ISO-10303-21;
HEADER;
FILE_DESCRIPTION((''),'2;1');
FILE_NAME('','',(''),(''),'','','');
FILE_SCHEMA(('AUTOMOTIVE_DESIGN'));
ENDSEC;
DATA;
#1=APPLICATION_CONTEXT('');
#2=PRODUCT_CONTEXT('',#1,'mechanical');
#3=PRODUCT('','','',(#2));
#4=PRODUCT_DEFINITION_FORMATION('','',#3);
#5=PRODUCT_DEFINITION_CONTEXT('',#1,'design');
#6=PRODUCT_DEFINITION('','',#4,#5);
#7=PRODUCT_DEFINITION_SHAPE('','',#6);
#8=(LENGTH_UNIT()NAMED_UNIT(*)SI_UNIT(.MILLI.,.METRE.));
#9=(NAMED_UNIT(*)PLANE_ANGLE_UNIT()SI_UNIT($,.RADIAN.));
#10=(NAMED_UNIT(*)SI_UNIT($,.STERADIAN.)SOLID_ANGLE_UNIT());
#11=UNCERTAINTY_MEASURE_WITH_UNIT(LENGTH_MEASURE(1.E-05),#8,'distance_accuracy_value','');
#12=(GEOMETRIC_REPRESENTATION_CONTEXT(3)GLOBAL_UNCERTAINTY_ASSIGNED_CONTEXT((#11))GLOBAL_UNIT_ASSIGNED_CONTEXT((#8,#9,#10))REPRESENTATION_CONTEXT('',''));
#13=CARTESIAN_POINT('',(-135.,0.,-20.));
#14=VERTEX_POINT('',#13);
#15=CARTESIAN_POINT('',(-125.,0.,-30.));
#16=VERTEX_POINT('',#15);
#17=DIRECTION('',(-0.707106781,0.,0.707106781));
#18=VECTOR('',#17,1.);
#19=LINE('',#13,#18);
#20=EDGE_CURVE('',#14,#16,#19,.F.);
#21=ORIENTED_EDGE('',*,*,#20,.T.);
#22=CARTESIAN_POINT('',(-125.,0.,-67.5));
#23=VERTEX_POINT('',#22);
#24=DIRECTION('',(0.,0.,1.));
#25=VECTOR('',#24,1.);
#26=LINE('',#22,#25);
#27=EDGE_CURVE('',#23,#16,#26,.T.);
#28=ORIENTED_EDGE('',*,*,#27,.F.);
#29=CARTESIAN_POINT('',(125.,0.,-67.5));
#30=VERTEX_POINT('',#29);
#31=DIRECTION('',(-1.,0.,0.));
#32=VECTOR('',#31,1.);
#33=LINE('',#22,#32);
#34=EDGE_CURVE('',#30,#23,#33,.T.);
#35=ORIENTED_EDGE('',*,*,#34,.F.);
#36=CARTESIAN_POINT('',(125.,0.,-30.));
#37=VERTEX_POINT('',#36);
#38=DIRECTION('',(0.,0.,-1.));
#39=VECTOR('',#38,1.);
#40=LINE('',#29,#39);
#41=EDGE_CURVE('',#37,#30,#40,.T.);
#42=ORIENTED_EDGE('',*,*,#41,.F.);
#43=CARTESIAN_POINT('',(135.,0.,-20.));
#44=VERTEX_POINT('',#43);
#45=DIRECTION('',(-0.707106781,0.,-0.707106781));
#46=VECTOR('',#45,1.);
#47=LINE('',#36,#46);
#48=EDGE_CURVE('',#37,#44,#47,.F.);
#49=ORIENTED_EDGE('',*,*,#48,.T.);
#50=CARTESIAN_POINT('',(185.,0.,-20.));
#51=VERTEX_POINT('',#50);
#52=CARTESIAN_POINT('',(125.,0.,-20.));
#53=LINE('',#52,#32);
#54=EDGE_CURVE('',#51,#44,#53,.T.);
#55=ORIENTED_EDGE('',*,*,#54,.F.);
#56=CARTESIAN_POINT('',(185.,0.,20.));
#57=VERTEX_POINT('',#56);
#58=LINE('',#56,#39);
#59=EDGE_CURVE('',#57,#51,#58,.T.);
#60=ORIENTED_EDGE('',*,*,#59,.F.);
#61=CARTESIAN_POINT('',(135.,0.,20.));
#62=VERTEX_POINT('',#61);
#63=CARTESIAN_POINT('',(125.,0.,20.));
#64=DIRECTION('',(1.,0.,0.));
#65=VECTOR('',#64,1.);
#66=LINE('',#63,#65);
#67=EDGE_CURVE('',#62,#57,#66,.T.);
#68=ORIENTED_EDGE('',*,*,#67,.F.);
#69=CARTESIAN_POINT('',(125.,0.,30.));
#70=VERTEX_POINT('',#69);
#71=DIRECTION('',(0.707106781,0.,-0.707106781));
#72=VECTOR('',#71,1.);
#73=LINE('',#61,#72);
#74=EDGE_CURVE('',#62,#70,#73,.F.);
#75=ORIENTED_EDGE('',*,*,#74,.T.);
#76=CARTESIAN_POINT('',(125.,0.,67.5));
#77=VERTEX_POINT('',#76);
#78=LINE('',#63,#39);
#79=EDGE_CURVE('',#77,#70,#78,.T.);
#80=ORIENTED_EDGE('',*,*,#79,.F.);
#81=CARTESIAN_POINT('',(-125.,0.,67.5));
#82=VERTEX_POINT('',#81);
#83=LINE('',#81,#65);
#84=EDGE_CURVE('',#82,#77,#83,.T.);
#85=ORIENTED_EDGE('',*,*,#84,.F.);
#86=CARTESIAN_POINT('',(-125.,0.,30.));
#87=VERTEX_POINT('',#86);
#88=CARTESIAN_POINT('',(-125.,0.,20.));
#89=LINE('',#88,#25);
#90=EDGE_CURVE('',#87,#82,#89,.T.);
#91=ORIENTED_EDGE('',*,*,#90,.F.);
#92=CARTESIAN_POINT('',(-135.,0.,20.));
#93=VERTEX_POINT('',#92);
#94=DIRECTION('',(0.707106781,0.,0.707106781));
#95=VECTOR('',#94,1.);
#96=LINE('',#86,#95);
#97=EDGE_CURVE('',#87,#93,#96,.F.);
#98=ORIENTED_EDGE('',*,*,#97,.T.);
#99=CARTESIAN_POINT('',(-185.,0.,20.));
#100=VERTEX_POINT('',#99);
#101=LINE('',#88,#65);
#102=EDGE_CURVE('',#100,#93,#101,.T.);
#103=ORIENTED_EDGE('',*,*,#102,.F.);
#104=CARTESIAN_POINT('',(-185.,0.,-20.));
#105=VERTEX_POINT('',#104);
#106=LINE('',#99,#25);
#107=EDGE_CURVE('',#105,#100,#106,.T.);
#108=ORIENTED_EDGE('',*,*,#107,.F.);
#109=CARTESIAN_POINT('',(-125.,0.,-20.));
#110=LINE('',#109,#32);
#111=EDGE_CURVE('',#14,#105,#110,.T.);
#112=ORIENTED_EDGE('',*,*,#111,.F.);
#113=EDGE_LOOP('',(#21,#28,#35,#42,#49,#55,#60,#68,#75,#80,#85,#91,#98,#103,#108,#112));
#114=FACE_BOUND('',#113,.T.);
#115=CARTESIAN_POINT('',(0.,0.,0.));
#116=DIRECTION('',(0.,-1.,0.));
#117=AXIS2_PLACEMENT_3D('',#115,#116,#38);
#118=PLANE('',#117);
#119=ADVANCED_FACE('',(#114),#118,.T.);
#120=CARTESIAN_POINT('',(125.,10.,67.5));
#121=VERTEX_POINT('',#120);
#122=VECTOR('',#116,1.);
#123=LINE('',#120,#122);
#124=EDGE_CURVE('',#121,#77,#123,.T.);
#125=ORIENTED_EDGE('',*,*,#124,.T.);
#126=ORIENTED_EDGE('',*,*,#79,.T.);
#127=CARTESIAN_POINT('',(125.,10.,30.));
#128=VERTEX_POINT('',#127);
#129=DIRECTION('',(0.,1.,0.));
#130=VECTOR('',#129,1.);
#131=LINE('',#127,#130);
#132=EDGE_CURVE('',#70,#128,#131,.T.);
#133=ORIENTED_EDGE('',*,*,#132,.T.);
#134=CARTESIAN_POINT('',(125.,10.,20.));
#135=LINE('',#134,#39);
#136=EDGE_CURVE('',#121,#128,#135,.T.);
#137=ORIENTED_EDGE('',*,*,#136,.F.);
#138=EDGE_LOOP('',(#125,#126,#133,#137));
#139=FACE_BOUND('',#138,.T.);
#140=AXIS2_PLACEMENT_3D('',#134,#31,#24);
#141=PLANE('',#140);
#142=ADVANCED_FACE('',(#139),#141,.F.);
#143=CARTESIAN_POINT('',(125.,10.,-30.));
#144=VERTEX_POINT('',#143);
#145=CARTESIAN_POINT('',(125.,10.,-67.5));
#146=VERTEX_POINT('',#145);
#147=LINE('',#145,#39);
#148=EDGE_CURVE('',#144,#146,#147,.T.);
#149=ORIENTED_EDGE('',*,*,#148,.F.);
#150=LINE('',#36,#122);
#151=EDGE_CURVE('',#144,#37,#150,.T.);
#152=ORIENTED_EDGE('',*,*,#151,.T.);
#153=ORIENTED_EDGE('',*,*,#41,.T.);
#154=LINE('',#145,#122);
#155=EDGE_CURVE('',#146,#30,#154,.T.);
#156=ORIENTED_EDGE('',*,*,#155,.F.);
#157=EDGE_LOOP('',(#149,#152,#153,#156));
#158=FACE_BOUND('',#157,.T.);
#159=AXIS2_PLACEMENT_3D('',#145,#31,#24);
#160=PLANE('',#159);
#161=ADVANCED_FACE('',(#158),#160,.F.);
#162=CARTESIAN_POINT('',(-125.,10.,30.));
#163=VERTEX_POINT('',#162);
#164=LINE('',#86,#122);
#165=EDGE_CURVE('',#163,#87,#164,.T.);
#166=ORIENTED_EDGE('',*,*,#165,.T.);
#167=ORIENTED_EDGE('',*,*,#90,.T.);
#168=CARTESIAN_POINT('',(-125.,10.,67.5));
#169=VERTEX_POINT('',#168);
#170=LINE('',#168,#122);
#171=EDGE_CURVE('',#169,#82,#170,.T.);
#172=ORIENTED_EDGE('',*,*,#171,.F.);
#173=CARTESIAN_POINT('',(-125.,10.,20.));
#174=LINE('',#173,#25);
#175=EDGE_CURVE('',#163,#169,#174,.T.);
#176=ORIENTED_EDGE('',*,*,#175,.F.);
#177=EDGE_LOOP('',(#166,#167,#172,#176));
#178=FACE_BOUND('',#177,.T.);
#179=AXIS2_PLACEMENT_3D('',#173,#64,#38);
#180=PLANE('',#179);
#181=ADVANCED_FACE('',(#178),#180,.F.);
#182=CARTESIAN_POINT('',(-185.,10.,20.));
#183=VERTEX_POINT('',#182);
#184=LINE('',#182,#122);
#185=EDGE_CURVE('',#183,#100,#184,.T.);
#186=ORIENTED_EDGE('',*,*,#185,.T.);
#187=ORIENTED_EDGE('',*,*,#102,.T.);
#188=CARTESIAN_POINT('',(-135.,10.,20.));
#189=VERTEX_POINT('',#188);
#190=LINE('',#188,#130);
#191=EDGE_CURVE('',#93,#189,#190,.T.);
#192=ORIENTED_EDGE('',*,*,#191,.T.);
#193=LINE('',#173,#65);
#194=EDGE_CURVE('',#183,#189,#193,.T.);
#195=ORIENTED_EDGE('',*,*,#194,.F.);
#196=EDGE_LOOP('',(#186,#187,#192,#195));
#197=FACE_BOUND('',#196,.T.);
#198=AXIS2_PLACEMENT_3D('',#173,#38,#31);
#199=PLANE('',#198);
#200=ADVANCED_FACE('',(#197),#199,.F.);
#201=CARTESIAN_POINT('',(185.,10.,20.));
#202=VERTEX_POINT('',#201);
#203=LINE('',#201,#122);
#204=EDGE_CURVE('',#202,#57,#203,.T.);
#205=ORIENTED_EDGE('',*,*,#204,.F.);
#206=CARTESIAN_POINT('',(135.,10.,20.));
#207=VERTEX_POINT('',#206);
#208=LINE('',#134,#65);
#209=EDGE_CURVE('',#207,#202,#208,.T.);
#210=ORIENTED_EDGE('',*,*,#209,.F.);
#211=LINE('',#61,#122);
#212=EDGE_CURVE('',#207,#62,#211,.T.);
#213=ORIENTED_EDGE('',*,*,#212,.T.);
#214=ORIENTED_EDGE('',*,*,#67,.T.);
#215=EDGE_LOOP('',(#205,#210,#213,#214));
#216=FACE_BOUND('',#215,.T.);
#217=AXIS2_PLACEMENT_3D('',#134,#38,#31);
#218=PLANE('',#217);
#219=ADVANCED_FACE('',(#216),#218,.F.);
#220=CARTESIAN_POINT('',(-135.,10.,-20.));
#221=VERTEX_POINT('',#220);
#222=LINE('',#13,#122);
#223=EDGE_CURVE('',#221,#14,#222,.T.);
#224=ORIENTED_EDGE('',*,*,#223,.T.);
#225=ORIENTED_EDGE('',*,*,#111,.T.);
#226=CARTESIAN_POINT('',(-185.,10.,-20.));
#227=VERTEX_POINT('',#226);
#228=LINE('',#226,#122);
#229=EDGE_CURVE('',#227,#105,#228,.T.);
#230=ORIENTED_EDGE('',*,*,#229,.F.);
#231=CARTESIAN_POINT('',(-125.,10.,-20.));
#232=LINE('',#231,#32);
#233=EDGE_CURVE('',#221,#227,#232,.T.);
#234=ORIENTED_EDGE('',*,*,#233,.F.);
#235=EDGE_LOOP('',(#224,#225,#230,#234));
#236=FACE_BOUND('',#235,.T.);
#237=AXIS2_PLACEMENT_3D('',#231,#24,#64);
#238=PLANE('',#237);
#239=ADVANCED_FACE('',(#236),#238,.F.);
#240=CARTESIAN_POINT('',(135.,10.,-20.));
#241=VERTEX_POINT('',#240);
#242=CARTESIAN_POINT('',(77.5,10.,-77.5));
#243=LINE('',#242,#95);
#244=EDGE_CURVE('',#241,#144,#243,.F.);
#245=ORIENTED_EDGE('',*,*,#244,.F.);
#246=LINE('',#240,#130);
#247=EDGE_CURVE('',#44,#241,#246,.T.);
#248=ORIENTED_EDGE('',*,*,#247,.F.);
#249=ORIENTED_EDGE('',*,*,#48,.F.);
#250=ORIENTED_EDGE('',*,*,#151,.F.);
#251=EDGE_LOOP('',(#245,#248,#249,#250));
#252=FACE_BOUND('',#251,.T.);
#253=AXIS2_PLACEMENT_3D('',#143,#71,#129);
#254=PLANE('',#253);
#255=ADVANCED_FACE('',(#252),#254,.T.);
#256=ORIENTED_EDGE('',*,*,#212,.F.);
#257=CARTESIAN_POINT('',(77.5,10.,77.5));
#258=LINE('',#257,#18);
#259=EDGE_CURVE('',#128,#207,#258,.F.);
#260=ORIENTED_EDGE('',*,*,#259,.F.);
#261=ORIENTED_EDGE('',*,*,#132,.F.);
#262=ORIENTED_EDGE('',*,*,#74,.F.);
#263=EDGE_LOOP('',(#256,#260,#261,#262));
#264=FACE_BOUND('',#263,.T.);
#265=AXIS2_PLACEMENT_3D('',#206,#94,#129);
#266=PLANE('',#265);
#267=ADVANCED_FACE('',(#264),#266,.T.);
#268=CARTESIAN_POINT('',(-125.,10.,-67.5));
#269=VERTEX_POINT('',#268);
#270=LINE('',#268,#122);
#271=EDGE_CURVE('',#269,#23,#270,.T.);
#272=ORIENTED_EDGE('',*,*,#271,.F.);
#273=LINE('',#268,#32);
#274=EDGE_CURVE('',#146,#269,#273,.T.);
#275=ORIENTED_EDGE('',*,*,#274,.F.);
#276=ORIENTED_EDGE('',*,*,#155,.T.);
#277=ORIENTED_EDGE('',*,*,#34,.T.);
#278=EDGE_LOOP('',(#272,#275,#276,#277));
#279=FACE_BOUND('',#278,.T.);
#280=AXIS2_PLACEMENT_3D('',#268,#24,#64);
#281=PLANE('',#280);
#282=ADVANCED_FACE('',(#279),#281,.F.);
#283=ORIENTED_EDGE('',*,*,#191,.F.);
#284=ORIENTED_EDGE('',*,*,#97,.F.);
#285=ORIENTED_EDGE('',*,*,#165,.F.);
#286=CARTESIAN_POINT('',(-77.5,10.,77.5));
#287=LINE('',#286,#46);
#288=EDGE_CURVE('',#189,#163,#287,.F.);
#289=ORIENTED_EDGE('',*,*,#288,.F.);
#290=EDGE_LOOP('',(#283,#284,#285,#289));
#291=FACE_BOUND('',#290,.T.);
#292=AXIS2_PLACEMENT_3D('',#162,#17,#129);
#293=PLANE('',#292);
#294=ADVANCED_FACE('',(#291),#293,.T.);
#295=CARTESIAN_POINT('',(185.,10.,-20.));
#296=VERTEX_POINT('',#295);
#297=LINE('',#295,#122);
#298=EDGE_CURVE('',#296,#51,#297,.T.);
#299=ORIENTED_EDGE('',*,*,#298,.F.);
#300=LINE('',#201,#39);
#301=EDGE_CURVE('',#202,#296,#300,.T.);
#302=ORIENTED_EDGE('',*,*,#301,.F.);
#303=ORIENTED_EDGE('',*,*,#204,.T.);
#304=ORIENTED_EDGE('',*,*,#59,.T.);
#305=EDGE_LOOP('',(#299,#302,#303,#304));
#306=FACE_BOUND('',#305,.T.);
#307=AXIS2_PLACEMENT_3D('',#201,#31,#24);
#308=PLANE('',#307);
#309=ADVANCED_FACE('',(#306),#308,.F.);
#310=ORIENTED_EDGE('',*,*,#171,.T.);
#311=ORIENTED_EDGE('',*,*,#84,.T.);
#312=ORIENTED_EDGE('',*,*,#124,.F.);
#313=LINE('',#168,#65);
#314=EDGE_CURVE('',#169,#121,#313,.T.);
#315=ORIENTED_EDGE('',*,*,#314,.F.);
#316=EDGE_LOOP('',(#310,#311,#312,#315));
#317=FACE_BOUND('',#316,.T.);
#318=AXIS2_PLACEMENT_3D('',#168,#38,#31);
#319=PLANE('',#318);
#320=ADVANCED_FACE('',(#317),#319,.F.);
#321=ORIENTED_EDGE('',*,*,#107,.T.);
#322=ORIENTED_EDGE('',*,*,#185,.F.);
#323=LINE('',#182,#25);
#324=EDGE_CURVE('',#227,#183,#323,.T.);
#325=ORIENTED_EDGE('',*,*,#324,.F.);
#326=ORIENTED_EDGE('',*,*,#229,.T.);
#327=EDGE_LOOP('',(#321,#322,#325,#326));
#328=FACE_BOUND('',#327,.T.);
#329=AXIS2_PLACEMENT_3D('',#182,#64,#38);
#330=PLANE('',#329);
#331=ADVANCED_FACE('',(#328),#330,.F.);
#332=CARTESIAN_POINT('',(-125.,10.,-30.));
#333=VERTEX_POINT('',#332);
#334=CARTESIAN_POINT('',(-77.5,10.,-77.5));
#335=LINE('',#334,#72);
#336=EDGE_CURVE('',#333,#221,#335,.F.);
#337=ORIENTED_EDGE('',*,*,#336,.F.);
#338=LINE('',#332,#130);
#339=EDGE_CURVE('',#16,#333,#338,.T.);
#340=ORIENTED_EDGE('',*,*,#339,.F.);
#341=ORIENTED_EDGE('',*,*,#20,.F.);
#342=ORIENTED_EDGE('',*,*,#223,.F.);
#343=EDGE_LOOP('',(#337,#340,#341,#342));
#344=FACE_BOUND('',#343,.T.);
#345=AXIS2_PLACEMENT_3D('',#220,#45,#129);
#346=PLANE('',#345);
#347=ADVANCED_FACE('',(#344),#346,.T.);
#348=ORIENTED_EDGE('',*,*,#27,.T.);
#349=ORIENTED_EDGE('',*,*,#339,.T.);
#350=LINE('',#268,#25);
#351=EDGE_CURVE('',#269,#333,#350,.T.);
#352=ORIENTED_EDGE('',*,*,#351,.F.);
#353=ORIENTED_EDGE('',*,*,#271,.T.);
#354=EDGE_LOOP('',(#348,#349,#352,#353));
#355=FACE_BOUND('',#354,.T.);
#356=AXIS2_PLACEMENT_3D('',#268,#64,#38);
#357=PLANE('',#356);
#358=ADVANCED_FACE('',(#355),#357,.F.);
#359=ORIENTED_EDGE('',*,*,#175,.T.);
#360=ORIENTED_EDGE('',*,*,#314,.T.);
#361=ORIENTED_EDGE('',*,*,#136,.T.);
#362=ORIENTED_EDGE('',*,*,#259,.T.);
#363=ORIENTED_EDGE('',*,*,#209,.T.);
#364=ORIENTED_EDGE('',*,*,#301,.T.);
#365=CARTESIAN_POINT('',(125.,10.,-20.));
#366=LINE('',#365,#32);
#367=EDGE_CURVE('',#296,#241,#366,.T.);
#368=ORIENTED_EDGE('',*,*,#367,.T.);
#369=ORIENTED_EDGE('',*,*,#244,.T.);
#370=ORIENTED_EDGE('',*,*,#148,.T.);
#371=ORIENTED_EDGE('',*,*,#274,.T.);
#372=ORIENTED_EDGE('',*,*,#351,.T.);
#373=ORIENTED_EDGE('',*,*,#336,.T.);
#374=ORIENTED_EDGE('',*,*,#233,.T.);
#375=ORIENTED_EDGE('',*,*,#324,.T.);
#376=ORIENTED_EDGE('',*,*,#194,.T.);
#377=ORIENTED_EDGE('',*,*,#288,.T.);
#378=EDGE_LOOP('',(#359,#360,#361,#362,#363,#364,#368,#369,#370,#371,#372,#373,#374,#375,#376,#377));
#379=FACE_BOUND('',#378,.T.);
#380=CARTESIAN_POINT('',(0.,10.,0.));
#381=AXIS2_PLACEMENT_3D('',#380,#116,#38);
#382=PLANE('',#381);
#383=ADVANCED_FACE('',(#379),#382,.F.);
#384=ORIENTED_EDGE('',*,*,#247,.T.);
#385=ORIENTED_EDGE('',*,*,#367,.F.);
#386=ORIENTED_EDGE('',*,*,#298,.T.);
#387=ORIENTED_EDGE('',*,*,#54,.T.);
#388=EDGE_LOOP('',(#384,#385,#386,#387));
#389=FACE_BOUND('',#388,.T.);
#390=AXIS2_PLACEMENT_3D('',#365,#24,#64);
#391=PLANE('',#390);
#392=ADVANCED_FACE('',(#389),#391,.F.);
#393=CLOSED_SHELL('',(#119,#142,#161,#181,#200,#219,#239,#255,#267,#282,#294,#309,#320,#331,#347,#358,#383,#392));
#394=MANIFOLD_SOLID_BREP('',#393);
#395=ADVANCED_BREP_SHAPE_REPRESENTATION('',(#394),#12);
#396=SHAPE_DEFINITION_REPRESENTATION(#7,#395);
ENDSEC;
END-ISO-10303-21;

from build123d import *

# Parameters (mm, degrees)
BOSS_EXTRUDE1_DEPTH = 10
CHAMFER1_SIZE       = 10


with BuildPart() as part:
    # Sketch1 → Boss-Extrude1 (new body)
    with BuildSketch(Plane(origin=(0, 0, 0), x_dir=(1, 0, 0), z_dir=(0, 1, 0))):
        Polygon((125, -20), (125, -67.5), (-125, -67.5), (-125, -20), (-185, -20), (-185, 20), (-125, 20), (-125, 67.5), (125, 67.5), (125, 20), (185, 20), (185, -20), align=None)
    extrude(amount=BOSS_EXTRUDE1_DEPTH)

    # Chamfer1
    chamfer1_edges = [part.edges().sort_by_distance(p)[0] for p in [
        (-125, 5, 20),
        (-125, 5, -20),
        (125, 5, -20),
        (125, 5, 20),
    ]]
    chamfer(chamfer1_edges, length=CHAMFER1_SIZE)


solid = part.part
